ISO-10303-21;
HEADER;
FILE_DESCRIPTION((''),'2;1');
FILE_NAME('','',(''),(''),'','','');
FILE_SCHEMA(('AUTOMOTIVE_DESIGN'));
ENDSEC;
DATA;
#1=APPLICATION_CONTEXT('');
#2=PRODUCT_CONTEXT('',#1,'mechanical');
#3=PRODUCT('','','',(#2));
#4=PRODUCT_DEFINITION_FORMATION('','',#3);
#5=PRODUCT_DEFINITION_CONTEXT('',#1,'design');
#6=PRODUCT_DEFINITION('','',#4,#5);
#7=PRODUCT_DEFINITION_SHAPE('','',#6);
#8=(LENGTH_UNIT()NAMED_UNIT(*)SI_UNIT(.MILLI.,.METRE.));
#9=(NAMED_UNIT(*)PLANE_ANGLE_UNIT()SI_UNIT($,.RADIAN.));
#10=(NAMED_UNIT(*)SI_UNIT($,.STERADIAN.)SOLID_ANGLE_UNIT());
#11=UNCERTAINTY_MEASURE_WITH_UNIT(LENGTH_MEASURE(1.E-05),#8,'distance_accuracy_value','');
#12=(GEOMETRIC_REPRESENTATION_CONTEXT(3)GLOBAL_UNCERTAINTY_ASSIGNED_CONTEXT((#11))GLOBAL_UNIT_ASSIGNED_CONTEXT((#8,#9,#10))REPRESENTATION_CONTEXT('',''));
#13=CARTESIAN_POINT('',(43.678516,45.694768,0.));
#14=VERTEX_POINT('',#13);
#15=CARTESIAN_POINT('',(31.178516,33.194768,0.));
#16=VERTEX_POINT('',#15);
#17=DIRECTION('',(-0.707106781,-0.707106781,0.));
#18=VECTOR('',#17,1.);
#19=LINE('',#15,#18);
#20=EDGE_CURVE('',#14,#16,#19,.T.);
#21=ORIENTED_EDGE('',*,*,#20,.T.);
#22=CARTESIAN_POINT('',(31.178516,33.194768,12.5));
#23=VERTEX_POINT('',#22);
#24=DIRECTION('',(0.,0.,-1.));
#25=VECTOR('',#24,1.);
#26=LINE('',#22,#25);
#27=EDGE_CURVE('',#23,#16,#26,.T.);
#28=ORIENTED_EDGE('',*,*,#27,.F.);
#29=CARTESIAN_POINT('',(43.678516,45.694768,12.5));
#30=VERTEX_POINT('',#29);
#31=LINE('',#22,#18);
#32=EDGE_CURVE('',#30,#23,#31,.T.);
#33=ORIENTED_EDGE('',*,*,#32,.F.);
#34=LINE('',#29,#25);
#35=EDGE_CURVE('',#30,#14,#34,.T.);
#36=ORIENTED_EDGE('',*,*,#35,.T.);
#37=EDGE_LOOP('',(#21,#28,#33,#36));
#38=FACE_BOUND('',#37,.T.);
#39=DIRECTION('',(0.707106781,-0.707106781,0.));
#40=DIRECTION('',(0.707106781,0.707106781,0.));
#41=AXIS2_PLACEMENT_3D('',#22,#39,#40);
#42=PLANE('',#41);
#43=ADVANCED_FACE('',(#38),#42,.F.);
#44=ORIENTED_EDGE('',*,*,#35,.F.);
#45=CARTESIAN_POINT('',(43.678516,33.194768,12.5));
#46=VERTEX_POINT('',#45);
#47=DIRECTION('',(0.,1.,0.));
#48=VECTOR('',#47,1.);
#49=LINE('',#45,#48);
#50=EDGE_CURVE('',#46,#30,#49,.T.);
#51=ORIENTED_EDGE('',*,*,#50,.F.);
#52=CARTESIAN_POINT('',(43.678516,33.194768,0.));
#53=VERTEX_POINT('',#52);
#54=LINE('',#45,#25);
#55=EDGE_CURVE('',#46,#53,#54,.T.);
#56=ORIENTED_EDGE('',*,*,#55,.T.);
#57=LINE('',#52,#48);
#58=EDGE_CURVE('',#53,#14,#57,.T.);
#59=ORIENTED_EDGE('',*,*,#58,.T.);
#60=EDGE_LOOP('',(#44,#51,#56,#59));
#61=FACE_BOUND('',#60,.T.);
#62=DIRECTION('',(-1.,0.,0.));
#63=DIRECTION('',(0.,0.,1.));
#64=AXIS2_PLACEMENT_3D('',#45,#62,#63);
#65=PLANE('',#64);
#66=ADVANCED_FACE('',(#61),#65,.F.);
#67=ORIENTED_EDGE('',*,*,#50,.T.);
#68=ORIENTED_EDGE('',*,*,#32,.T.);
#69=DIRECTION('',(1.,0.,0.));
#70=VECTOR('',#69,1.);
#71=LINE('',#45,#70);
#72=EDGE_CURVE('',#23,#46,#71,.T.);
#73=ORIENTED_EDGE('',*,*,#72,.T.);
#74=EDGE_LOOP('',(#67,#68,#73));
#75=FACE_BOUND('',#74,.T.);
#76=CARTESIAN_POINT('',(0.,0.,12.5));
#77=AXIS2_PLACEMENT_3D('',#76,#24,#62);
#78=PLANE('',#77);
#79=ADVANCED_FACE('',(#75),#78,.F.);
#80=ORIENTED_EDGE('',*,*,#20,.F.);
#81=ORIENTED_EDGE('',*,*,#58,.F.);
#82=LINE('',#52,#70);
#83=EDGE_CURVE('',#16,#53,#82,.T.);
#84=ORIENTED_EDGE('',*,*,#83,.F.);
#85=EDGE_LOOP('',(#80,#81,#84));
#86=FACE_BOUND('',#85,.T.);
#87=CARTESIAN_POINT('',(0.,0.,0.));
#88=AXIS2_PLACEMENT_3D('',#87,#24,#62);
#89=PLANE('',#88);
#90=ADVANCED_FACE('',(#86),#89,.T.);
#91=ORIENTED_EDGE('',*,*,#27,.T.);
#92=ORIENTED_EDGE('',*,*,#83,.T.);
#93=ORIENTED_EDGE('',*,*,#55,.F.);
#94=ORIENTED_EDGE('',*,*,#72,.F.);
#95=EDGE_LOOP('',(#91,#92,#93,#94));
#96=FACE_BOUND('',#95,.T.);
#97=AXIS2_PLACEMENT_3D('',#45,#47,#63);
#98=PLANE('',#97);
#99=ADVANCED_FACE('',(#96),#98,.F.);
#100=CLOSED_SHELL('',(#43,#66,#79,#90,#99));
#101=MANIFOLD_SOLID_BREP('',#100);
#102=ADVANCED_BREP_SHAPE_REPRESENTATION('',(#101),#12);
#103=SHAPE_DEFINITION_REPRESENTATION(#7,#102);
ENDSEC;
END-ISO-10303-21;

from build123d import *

# Parameters (mm, degrees)
EXTRUDE_1_DEPTH = 12.5


with BuildPart() as part:
    # 草图1 → 凸台-拉伸1 (new body)
    with BuildSketch(Plane.XY):
        Polygon((43.678515928, 33.19476756), (43.678515928, 45.69476756), (31.178515928, 33.19476756), align=None)
    extrude(amount=EXTRUDE_1_DEPTH)


solid = part.part
